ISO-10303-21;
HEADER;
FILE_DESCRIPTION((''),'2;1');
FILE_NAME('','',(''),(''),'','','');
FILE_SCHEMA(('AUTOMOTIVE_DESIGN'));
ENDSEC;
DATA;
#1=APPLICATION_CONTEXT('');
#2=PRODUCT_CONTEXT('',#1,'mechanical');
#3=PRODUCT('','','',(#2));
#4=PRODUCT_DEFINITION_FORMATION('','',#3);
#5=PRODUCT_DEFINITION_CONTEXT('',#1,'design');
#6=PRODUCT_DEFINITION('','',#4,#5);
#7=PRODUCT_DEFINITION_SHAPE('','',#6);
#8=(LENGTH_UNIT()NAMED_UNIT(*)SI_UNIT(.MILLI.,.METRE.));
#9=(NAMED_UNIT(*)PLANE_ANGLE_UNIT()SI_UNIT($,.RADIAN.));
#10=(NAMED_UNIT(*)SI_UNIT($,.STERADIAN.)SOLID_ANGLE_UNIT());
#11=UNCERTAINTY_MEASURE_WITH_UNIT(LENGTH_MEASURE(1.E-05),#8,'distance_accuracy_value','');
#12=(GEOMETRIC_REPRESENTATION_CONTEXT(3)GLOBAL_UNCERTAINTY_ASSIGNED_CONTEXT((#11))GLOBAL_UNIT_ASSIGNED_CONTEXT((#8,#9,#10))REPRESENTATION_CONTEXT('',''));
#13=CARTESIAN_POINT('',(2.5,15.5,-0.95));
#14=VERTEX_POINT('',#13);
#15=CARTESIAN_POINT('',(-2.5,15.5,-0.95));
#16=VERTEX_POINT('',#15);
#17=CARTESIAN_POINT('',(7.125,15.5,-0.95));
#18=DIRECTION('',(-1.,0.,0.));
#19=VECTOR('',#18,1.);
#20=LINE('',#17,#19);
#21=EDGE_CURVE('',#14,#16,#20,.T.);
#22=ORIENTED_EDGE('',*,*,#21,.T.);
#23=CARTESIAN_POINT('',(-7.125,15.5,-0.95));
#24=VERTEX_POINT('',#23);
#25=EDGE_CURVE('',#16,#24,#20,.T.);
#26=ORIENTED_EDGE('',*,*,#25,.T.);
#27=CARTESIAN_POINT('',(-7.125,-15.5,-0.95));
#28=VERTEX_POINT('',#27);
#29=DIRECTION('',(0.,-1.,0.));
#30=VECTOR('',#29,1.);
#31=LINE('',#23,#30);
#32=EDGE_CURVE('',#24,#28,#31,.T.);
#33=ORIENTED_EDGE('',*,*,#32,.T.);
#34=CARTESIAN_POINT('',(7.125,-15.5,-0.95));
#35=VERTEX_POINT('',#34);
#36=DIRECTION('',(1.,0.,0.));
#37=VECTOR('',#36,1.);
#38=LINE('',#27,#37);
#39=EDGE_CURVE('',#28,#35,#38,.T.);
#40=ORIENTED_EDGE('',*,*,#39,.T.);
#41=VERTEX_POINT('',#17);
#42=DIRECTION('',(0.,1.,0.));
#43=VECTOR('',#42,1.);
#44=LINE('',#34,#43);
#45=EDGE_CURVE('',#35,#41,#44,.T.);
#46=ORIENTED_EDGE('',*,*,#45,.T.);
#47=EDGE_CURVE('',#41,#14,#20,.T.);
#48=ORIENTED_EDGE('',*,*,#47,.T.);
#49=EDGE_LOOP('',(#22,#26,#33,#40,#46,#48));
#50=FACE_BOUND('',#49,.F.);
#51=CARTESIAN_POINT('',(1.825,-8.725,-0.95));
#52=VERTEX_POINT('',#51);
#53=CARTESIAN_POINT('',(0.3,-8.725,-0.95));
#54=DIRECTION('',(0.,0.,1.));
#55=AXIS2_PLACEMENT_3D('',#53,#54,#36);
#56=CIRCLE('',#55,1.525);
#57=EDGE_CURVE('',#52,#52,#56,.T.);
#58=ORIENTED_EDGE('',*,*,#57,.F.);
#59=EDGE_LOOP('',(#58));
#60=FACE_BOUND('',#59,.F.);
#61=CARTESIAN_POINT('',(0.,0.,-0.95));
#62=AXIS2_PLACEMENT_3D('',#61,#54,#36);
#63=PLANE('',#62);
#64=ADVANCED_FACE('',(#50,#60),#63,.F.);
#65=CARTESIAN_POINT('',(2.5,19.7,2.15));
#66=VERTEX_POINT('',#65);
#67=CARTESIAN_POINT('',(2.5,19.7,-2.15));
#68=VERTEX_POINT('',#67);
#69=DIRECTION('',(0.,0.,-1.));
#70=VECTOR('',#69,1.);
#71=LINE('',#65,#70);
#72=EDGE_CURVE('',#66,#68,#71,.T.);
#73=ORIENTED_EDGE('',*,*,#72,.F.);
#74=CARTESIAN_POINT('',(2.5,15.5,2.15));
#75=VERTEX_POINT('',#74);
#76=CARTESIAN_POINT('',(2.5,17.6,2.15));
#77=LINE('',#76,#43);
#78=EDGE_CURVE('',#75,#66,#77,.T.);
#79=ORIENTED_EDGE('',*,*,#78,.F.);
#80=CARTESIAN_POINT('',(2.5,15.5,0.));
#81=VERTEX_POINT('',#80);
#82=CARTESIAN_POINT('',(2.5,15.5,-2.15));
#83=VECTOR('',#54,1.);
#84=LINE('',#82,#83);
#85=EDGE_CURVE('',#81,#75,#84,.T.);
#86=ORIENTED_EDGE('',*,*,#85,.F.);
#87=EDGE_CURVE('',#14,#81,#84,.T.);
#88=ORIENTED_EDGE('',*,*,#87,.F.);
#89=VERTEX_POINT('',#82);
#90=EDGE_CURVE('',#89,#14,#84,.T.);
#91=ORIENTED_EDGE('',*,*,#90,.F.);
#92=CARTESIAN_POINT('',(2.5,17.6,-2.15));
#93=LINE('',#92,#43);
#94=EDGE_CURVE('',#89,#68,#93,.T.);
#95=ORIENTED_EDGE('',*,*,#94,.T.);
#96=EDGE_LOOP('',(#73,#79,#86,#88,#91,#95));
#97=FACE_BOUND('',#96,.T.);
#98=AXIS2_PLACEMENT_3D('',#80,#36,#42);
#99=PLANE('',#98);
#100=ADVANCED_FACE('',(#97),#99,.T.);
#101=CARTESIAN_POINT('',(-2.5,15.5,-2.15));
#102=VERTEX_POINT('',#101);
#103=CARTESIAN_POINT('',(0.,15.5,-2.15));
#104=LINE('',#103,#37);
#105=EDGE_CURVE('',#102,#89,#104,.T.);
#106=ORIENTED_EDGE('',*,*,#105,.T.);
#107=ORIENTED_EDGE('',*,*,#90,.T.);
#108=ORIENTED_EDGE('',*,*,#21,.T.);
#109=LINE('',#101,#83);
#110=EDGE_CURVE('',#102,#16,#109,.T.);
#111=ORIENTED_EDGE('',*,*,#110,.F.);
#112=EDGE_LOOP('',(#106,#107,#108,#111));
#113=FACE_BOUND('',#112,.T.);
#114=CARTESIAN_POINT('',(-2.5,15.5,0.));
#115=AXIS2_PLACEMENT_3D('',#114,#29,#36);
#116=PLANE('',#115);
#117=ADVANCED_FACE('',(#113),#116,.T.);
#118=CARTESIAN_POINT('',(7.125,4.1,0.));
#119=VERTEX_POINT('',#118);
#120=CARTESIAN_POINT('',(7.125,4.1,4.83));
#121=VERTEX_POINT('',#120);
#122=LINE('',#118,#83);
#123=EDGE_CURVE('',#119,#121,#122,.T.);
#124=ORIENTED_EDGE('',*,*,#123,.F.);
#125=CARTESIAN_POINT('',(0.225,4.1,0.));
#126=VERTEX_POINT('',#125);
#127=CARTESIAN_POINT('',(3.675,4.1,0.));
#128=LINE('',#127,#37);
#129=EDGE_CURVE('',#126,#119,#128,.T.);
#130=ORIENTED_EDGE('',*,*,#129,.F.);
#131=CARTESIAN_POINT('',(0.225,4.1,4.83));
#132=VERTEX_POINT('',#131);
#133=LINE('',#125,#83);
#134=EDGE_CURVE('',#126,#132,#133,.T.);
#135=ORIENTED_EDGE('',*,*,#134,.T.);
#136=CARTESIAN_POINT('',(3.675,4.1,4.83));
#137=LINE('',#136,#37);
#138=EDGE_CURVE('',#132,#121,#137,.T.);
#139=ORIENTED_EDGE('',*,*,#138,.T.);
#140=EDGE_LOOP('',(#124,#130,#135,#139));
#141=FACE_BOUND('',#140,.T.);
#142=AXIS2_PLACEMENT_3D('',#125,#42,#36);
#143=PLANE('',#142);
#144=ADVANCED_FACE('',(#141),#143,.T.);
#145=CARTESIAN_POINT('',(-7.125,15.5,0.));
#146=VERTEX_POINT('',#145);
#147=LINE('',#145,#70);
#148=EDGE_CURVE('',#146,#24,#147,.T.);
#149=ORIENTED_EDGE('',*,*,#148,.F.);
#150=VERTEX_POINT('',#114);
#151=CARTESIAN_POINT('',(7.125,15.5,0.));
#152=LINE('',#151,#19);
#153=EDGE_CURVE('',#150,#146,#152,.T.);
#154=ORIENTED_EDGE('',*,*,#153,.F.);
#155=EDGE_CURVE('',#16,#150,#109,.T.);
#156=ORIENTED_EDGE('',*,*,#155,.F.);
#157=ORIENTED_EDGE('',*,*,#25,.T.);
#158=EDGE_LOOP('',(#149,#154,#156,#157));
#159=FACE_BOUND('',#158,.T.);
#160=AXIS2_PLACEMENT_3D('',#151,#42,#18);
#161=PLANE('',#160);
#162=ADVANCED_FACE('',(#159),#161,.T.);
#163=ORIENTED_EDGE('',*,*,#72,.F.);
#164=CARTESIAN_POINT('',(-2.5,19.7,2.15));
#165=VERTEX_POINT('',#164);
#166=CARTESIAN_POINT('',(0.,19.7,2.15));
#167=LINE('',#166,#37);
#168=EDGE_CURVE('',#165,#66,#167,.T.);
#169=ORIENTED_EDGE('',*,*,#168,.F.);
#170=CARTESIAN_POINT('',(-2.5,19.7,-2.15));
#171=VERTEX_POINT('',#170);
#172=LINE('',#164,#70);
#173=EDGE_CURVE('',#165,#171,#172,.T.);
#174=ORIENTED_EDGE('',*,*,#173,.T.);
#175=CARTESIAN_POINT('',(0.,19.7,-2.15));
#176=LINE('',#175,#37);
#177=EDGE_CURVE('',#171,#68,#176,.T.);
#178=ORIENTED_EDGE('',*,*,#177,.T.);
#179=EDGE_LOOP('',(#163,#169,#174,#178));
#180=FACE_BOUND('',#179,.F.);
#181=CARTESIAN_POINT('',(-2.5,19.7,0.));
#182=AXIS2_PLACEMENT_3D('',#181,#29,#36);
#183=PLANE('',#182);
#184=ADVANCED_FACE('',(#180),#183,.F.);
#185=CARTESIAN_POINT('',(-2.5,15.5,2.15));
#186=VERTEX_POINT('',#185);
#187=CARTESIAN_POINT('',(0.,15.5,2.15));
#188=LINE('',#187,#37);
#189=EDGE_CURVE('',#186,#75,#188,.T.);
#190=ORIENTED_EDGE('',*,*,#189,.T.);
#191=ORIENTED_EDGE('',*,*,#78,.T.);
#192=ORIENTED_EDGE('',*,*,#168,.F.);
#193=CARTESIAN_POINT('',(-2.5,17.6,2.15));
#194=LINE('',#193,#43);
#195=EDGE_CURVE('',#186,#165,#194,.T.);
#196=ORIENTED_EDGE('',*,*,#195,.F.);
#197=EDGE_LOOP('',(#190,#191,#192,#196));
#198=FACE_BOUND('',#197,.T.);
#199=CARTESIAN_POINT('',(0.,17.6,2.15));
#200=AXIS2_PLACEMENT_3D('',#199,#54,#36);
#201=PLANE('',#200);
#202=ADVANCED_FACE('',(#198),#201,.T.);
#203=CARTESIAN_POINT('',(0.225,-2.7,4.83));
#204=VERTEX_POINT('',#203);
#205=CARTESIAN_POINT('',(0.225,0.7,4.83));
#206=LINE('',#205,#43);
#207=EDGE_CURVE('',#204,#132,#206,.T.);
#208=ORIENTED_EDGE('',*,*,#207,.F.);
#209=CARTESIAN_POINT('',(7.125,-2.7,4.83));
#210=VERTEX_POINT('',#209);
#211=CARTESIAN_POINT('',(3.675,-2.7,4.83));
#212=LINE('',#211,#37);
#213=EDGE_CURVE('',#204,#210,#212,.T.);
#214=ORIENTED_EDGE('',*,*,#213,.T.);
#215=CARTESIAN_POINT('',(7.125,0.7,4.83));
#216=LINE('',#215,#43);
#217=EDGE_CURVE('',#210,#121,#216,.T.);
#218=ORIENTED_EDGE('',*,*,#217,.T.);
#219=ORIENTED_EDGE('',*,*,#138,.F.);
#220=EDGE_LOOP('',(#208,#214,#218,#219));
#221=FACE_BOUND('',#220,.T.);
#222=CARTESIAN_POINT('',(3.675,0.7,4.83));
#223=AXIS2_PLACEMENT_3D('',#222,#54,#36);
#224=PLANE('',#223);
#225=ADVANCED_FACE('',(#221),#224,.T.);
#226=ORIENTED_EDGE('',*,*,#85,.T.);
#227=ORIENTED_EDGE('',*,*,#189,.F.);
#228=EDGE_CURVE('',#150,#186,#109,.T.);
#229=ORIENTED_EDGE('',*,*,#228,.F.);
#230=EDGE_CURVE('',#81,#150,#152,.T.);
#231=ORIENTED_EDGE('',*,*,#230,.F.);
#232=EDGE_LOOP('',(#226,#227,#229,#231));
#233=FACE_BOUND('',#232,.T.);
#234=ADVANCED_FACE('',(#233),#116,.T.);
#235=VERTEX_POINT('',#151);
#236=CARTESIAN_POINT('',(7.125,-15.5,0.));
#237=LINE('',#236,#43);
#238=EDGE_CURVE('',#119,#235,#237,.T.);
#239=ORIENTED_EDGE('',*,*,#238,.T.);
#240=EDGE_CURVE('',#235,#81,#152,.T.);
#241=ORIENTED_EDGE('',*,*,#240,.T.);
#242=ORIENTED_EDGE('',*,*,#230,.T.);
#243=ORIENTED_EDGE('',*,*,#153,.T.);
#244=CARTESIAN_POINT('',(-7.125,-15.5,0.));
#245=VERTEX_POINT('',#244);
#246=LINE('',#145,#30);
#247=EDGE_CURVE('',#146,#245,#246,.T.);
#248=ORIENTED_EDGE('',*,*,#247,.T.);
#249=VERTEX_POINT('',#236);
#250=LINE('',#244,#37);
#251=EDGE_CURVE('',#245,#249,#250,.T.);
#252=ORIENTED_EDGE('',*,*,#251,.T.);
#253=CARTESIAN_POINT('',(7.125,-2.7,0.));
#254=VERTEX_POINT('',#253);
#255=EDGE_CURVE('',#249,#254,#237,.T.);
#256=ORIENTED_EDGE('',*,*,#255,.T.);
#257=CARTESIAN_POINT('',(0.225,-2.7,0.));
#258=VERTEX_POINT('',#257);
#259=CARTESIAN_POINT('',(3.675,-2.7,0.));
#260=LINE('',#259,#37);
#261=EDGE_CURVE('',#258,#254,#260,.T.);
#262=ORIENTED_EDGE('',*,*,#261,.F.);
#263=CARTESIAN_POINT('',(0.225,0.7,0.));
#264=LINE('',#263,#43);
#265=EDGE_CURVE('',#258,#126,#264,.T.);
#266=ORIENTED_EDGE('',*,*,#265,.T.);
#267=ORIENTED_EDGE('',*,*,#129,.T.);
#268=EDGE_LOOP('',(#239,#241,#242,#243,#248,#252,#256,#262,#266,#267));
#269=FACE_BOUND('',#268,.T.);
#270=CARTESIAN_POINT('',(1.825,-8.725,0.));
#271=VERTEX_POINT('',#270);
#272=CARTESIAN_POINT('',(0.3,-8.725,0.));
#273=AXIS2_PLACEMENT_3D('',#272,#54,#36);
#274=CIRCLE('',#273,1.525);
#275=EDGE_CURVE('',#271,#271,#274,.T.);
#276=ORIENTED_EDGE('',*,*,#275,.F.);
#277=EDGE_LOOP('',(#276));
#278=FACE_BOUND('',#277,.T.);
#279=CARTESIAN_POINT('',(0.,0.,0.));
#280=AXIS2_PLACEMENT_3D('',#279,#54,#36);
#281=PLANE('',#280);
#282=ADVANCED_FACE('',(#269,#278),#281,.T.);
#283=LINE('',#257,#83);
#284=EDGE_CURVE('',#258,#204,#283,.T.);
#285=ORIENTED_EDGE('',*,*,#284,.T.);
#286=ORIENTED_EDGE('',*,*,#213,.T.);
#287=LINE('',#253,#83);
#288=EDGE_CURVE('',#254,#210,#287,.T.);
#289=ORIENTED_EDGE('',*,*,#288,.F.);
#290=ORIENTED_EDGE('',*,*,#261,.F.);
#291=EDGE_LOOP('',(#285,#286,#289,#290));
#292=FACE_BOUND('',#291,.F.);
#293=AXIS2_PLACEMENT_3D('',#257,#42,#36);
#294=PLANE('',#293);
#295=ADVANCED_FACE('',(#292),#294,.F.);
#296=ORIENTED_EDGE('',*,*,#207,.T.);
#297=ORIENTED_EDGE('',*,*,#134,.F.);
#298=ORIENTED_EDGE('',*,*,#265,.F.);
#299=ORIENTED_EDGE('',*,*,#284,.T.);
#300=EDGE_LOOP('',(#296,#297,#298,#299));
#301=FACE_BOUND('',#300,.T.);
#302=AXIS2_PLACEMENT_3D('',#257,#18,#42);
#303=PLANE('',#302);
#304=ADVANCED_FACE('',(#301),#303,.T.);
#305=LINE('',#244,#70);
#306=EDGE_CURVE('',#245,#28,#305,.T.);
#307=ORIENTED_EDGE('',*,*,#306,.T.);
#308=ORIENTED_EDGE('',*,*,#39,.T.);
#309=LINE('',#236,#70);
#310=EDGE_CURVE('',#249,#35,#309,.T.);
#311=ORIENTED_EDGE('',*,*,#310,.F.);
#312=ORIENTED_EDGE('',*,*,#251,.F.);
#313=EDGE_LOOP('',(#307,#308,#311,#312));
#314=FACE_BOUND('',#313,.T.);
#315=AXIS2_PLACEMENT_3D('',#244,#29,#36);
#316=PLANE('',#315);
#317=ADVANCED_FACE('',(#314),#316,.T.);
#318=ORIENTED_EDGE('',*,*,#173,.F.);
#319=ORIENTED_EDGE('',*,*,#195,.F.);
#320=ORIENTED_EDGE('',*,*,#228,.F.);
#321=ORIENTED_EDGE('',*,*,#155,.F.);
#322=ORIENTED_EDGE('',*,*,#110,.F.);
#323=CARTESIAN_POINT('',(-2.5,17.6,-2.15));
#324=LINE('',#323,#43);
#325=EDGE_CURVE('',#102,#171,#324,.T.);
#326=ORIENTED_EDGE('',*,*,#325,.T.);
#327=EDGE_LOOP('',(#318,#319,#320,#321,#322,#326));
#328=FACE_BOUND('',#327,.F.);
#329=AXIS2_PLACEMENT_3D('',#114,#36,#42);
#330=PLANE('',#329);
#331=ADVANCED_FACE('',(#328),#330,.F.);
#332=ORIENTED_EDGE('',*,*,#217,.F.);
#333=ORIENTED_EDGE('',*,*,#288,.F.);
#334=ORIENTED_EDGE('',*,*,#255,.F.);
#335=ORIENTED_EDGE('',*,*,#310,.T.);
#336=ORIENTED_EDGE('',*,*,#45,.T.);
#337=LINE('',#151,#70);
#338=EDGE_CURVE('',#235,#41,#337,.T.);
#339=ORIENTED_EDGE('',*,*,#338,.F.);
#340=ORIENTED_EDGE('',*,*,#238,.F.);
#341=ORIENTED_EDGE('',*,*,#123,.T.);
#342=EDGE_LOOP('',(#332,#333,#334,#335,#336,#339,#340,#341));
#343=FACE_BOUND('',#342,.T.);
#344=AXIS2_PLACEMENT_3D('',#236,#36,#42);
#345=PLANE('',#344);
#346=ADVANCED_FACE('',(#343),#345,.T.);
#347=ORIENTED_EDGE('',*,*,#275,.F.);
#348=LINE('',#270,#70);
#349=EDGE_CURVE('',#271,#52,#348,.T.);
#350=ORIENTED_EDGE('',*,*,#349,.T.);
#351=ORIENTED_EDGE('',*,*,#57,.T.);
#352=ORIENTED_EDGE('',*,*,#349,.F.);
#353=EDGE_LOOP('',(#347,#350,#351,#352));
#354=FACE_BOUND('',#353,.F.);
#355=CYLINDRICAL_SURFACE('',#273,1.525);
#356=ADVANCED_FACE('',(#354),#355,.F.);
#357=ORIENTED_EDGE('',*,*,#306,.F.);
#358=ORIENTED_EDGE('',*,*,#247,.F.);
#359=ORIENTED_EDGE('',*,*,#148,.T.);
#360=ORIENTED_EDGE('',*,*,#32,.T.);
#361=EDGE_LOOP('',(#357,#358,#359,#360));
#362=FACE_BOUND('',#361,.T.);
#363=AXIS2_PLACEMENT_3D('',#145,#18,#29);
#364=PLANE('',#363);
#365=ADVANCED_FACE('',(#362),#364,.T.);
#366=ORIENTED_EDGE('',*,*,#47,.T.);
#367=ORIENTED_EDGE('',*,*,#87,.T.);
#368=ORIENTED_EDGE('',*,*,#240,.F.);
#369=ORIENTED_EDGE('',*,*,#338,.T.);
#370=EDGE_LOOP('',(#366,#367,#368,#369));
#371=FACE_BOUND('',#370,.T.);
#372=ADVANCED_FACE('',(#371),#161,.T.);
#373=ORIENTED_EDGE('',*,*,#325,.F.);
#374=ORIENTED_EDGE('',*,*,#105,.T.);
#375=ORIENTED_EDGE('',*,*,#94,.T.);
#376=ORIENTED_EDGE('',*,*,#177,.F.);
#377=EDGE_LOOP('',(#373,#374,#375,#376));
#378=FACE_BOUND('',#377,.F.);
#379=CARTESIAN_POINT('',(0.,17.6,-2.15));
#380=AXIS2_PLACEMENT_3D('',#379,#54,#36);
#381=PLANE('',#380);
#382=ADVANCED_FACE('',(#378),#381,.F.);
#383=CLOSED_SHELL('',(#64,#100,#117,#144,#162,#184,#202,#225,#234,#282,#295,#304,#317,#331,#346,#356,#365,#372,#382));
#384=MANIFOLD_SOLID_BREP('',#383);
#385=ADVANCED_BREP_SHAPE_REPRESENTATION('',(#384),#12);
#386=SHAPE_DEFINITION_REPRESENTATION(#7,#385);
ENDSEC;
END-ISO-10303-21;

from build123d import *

# Parameters (mm, degrees)
BOSS_EXTRUDE1_DEPTH = 0.95
SKETCH1_4_W         = 5
SKETCH1_4_H         = 4.2
BOSS_EXTRUDE2_DEPTH = 2.15
SKETCH3_W           = 6.9
SKETCH3_H           = 6.8
BOSS_EXTRUDE3_DEPTH = 4.83
SKETCH4_R           = 1.525
CUT_EXTRUDE1_DEPTH  = 3.15


with BuildPart() as part:
    # Sketch1 → Boss-Extrude1 (new body)
    with BuildSketch(Plane.XY):
        Polygon((-2.5, 15.5), (-7.125, 15.5), (-7.125, -15.5), (7.125, -15.5), (7.125, 15.5), (2.5, 15.5), align=None)
    extrude(amount=-BOSS_EXTRUDE1_DEPTH)

    # Sketch1<4> → Boss-Extrude2 (add, symmetric)
    with BuildSketch(Plane.XY):
        with Locations((0, 17.6)):
            Rectangle(SKETCH1_4_W, SKETCH1_4_H)
    extrude(amount=BOSS_EXTRUDE2_DEPTH, both=True)

    # Sketch3 → Boss-Extrude3 (add)
    with BuildSketch(Plane.XY):
        with Locations((3.675, 0.7)):
            Rectangle(SKETCH3_W, SKETCH3_H)
    extrude(amount=BOSS_EXTRUDE3_DEPTH)

    # Sketch4 → Cut-Extrude1 (cut, through all)
    with BuildSketch(Plane.XY):
        with Locations((0.3, -8.725)):
            Circle(SKETCH4_R)
    extrude(amount=-CUT_EXTRUDE1_DEPTH, mode=Mode.SUBTRACT)


solid = part.part
